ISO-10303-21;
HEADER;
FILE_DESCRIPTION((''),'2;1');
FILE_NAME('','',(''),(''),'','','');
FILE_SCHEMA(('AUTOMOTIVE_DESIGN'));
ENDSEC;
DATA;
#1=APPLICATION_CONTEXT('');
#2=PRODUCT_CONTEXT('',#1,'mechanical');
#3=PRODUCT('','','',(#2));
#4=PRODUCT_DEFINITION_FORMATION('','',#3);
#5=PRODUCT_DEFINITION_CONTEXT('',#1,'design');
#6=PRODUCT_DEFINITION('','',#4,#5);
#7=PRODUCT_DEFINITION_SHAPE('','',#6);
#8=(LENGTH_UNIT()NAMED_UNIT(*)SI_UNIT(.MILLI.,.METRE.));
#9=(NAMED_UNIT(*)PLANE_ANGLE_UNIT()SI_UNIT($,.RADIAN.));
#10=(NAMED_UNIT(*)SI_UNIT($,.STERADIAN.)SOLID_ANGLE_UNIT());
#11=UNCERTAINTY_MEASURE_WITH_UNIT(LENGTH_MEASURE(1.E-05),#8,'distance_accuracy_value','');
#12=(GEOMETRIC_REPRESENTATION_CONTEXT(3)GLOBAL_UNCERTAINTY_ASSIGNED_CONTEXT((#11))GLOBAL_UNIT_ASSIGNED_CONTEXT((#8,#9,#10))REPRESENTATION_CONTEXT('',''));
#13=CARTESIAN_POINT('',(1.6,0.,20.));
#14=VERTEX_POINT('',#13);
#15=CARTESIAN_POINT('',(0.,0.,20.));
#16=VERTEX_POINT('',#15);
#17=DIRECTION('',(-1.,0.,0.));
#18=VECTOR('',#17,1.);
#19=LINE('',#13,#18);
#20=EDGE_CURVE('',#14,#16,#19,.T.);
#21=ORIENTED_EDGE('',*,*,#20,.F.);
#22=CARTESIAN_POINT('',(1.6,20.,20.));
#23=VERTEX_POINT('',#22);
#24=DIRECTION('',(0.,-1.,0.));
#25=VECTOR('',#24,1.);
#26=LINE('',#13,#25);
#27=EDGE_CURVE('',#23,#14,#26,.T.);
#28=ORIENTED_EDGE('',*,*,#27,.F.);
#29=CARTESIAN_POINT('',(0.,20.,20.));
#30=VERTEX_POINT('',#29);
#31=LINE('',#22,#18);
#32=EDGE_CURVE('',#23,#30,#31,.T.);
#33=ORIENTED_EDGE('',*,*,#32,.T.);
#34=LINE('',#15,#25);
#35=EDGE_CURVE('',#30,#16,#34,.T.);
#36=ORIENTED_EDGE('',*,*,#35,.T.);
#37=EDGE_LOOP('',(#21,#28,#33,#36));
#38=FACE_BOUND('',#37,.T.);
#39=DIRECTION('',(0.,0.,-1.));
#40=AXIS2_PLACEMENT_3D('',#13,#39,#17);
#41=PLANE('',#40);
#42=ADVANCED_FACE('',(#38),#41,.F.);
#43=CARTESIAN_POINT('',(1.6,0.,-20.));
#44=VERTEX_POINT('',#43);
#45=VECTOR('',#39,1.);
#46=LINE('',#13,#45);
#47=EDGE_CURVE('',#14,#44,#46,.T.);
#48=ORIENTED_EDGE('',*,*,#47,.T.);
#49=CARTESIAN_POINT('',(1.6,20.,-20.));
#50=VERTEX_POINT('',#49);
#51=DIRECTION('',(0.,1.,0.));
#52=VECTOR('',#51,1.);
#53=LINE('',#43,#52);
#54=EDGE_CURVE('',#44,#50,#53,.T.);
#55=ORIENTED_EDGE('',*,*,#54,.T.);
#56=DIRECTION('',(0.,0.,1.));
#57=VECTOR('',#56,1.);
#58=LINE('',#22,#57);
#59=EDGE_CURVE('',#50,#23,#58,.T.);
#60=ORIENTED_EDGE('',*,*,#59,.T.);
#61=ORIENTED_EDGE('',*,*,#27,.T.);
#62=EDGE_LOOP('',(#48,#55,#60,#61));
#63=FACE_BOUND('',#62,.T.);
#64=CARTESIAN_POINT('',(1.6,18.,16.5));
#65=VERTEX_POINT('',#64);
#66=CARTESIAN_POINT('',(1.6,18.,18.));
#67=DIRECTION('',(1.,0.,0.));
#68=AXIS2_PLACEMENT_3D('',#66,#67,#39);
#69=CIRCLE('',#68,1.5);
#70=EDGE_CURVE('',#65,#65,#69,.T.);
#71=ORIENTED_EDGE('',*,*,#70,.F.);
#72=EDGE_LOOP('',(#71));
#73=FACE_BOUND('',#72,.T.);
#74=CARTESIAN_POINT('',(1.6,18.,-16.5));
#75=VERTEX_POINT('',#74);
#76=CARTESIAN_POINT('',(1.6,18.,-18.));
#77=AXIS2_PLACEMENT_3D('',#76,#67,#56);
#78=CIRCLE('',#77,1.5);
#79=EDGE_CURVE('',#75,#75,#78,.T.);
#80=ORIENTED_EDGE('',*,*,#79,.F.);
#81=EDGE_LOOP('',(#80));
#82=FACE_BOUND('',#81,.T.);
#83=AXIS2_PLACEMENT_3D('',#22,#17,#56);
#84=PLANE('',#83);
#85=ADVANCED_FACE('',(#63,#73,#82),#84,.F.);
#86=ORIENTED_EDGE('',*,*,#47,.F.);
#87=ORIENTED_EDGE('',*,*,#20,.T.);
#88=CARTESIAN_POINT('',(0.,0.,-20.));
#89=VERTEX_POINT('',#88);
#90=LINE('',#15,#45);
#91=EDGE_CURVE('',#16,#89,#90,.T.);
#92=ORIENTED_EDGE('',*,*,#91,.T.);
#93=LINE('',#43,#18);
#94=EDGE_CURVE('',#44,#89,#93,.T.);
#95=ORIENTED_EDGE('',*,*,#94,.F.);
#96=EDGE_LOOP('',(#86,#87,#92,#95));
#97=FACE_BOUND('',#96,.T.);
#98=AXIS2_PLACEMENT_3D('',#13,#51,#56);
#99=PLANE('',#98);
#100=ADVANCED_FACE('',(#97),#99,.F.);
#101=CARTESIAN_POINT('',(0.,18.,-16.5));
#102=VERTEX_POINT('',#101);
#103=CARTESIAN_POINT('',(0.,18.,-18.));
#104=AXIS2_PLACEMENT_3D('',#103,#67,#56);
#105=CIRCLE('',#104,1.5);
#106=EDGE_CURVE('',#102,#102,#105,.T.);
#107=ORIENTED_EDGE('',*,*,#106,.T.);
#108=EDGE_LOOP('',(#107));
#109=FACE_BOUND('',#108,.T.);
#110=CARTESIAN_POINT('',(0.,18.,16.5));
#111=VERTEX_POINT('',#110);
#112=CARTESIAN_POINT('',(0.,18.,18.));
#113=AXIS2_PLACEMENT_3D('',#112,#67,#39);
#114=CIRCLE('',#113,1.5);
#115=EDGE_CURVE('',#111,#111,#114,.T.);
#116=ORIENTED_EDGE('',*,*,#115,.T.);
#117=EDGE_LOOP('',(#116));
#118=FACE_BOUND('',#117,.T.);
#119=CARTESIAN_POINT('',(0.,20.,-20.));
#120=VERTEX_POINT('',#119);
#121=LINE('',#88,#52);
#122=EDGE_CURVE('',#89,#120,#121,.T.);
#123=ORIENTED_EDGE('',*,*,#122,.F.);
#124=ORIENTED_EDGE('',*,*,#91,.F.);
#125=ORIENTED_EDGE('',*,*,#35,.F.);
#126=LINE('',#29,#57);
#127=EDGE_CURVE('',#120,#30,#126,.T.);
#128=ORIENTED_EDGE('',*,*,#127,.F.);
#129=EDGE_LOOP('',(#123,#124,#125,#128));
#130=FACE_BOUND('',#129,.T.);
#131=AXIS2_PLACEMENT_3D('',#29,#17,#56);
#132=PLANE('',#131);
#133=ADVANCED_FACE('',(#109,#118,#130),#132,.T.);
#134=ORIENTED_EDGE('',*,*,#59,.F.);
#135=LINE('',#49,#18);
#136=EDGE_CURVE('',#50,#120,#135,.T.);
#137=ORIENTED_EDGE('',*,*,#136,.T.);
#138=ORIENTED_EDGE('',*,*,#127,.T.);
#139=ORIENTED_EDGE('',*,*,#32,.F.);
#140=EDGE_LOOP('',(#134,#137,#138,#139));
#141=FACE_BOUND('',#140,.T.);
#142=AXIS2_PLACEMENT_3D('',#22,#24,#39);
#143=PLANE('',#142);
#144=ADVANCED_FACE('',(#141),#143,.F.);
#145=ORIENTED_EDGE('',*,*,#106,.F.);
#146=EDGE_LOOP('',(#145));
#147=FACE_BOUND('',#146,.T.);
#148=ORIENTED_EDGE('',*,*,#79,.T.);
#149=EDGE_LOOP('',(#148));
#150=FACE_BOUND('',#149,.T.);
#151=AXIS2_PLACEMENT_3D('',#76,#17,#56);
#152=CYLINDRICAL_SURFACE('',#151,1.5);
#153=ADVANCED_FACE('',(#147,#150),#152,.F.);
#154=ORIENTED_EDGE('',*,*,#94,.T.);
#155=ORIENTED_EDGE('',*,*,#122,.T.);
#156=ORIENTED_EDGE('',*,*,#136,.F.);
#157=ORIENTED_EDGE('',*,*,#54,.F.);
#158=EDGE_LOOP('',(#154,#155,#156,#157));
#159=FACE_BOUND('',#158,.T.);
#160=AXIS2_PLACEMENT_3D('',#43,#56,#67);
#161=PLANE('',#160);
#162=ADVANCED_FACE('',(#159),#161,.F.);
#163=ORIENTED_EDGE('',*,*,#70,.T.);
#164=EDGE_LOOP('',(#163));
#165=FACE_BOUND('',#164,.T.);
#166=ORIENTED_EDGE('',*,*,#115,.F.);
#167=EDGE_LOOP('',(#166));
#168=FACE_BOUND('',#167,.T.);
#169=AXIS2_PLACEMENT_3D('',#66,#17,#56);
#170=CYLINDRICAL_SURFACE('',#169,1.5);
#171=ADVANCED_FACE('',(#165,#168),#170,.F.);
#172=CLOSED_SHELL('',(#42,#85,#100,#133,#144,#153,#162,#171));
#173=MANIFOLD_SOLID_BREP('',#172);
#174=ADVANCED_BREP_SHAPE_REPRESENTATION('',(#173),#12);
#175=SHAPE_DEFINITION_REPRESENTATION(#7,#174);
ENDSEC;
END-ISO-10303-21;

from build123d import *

# Parameters (mm, degrees)
ESQUISSE1_W      = 40
ESQUISSE1_H      = 20
ESQUISSE1_R      = 1.5
EXTRUSION1_DEPTH = 1.6


with BuildPart() as part:
    # Esquisse1 → Extrusion1 (new body)
    with BuildSketch(Plane(origin=(0, 0, 0), x_dir=(0, 0, -1), z_dir=(1, 0, 0))):
        with Locations((0, 10)):
            Rectangle(ESQUISSE1_W, ESQUISSE1_H)
        with Locations((-18, 18)):
            Circle(ESQUISSE1_R, mode=Mode.SUBTRACT)
        with Locations(Location((18, 18, 0), (0, 0, 180))):
            Circle(ESQUISSE1_R, mode=Mode.SUBTRACT)
    extrude(amount=EXTRUSION1_DEPTH)


solid = part.part
